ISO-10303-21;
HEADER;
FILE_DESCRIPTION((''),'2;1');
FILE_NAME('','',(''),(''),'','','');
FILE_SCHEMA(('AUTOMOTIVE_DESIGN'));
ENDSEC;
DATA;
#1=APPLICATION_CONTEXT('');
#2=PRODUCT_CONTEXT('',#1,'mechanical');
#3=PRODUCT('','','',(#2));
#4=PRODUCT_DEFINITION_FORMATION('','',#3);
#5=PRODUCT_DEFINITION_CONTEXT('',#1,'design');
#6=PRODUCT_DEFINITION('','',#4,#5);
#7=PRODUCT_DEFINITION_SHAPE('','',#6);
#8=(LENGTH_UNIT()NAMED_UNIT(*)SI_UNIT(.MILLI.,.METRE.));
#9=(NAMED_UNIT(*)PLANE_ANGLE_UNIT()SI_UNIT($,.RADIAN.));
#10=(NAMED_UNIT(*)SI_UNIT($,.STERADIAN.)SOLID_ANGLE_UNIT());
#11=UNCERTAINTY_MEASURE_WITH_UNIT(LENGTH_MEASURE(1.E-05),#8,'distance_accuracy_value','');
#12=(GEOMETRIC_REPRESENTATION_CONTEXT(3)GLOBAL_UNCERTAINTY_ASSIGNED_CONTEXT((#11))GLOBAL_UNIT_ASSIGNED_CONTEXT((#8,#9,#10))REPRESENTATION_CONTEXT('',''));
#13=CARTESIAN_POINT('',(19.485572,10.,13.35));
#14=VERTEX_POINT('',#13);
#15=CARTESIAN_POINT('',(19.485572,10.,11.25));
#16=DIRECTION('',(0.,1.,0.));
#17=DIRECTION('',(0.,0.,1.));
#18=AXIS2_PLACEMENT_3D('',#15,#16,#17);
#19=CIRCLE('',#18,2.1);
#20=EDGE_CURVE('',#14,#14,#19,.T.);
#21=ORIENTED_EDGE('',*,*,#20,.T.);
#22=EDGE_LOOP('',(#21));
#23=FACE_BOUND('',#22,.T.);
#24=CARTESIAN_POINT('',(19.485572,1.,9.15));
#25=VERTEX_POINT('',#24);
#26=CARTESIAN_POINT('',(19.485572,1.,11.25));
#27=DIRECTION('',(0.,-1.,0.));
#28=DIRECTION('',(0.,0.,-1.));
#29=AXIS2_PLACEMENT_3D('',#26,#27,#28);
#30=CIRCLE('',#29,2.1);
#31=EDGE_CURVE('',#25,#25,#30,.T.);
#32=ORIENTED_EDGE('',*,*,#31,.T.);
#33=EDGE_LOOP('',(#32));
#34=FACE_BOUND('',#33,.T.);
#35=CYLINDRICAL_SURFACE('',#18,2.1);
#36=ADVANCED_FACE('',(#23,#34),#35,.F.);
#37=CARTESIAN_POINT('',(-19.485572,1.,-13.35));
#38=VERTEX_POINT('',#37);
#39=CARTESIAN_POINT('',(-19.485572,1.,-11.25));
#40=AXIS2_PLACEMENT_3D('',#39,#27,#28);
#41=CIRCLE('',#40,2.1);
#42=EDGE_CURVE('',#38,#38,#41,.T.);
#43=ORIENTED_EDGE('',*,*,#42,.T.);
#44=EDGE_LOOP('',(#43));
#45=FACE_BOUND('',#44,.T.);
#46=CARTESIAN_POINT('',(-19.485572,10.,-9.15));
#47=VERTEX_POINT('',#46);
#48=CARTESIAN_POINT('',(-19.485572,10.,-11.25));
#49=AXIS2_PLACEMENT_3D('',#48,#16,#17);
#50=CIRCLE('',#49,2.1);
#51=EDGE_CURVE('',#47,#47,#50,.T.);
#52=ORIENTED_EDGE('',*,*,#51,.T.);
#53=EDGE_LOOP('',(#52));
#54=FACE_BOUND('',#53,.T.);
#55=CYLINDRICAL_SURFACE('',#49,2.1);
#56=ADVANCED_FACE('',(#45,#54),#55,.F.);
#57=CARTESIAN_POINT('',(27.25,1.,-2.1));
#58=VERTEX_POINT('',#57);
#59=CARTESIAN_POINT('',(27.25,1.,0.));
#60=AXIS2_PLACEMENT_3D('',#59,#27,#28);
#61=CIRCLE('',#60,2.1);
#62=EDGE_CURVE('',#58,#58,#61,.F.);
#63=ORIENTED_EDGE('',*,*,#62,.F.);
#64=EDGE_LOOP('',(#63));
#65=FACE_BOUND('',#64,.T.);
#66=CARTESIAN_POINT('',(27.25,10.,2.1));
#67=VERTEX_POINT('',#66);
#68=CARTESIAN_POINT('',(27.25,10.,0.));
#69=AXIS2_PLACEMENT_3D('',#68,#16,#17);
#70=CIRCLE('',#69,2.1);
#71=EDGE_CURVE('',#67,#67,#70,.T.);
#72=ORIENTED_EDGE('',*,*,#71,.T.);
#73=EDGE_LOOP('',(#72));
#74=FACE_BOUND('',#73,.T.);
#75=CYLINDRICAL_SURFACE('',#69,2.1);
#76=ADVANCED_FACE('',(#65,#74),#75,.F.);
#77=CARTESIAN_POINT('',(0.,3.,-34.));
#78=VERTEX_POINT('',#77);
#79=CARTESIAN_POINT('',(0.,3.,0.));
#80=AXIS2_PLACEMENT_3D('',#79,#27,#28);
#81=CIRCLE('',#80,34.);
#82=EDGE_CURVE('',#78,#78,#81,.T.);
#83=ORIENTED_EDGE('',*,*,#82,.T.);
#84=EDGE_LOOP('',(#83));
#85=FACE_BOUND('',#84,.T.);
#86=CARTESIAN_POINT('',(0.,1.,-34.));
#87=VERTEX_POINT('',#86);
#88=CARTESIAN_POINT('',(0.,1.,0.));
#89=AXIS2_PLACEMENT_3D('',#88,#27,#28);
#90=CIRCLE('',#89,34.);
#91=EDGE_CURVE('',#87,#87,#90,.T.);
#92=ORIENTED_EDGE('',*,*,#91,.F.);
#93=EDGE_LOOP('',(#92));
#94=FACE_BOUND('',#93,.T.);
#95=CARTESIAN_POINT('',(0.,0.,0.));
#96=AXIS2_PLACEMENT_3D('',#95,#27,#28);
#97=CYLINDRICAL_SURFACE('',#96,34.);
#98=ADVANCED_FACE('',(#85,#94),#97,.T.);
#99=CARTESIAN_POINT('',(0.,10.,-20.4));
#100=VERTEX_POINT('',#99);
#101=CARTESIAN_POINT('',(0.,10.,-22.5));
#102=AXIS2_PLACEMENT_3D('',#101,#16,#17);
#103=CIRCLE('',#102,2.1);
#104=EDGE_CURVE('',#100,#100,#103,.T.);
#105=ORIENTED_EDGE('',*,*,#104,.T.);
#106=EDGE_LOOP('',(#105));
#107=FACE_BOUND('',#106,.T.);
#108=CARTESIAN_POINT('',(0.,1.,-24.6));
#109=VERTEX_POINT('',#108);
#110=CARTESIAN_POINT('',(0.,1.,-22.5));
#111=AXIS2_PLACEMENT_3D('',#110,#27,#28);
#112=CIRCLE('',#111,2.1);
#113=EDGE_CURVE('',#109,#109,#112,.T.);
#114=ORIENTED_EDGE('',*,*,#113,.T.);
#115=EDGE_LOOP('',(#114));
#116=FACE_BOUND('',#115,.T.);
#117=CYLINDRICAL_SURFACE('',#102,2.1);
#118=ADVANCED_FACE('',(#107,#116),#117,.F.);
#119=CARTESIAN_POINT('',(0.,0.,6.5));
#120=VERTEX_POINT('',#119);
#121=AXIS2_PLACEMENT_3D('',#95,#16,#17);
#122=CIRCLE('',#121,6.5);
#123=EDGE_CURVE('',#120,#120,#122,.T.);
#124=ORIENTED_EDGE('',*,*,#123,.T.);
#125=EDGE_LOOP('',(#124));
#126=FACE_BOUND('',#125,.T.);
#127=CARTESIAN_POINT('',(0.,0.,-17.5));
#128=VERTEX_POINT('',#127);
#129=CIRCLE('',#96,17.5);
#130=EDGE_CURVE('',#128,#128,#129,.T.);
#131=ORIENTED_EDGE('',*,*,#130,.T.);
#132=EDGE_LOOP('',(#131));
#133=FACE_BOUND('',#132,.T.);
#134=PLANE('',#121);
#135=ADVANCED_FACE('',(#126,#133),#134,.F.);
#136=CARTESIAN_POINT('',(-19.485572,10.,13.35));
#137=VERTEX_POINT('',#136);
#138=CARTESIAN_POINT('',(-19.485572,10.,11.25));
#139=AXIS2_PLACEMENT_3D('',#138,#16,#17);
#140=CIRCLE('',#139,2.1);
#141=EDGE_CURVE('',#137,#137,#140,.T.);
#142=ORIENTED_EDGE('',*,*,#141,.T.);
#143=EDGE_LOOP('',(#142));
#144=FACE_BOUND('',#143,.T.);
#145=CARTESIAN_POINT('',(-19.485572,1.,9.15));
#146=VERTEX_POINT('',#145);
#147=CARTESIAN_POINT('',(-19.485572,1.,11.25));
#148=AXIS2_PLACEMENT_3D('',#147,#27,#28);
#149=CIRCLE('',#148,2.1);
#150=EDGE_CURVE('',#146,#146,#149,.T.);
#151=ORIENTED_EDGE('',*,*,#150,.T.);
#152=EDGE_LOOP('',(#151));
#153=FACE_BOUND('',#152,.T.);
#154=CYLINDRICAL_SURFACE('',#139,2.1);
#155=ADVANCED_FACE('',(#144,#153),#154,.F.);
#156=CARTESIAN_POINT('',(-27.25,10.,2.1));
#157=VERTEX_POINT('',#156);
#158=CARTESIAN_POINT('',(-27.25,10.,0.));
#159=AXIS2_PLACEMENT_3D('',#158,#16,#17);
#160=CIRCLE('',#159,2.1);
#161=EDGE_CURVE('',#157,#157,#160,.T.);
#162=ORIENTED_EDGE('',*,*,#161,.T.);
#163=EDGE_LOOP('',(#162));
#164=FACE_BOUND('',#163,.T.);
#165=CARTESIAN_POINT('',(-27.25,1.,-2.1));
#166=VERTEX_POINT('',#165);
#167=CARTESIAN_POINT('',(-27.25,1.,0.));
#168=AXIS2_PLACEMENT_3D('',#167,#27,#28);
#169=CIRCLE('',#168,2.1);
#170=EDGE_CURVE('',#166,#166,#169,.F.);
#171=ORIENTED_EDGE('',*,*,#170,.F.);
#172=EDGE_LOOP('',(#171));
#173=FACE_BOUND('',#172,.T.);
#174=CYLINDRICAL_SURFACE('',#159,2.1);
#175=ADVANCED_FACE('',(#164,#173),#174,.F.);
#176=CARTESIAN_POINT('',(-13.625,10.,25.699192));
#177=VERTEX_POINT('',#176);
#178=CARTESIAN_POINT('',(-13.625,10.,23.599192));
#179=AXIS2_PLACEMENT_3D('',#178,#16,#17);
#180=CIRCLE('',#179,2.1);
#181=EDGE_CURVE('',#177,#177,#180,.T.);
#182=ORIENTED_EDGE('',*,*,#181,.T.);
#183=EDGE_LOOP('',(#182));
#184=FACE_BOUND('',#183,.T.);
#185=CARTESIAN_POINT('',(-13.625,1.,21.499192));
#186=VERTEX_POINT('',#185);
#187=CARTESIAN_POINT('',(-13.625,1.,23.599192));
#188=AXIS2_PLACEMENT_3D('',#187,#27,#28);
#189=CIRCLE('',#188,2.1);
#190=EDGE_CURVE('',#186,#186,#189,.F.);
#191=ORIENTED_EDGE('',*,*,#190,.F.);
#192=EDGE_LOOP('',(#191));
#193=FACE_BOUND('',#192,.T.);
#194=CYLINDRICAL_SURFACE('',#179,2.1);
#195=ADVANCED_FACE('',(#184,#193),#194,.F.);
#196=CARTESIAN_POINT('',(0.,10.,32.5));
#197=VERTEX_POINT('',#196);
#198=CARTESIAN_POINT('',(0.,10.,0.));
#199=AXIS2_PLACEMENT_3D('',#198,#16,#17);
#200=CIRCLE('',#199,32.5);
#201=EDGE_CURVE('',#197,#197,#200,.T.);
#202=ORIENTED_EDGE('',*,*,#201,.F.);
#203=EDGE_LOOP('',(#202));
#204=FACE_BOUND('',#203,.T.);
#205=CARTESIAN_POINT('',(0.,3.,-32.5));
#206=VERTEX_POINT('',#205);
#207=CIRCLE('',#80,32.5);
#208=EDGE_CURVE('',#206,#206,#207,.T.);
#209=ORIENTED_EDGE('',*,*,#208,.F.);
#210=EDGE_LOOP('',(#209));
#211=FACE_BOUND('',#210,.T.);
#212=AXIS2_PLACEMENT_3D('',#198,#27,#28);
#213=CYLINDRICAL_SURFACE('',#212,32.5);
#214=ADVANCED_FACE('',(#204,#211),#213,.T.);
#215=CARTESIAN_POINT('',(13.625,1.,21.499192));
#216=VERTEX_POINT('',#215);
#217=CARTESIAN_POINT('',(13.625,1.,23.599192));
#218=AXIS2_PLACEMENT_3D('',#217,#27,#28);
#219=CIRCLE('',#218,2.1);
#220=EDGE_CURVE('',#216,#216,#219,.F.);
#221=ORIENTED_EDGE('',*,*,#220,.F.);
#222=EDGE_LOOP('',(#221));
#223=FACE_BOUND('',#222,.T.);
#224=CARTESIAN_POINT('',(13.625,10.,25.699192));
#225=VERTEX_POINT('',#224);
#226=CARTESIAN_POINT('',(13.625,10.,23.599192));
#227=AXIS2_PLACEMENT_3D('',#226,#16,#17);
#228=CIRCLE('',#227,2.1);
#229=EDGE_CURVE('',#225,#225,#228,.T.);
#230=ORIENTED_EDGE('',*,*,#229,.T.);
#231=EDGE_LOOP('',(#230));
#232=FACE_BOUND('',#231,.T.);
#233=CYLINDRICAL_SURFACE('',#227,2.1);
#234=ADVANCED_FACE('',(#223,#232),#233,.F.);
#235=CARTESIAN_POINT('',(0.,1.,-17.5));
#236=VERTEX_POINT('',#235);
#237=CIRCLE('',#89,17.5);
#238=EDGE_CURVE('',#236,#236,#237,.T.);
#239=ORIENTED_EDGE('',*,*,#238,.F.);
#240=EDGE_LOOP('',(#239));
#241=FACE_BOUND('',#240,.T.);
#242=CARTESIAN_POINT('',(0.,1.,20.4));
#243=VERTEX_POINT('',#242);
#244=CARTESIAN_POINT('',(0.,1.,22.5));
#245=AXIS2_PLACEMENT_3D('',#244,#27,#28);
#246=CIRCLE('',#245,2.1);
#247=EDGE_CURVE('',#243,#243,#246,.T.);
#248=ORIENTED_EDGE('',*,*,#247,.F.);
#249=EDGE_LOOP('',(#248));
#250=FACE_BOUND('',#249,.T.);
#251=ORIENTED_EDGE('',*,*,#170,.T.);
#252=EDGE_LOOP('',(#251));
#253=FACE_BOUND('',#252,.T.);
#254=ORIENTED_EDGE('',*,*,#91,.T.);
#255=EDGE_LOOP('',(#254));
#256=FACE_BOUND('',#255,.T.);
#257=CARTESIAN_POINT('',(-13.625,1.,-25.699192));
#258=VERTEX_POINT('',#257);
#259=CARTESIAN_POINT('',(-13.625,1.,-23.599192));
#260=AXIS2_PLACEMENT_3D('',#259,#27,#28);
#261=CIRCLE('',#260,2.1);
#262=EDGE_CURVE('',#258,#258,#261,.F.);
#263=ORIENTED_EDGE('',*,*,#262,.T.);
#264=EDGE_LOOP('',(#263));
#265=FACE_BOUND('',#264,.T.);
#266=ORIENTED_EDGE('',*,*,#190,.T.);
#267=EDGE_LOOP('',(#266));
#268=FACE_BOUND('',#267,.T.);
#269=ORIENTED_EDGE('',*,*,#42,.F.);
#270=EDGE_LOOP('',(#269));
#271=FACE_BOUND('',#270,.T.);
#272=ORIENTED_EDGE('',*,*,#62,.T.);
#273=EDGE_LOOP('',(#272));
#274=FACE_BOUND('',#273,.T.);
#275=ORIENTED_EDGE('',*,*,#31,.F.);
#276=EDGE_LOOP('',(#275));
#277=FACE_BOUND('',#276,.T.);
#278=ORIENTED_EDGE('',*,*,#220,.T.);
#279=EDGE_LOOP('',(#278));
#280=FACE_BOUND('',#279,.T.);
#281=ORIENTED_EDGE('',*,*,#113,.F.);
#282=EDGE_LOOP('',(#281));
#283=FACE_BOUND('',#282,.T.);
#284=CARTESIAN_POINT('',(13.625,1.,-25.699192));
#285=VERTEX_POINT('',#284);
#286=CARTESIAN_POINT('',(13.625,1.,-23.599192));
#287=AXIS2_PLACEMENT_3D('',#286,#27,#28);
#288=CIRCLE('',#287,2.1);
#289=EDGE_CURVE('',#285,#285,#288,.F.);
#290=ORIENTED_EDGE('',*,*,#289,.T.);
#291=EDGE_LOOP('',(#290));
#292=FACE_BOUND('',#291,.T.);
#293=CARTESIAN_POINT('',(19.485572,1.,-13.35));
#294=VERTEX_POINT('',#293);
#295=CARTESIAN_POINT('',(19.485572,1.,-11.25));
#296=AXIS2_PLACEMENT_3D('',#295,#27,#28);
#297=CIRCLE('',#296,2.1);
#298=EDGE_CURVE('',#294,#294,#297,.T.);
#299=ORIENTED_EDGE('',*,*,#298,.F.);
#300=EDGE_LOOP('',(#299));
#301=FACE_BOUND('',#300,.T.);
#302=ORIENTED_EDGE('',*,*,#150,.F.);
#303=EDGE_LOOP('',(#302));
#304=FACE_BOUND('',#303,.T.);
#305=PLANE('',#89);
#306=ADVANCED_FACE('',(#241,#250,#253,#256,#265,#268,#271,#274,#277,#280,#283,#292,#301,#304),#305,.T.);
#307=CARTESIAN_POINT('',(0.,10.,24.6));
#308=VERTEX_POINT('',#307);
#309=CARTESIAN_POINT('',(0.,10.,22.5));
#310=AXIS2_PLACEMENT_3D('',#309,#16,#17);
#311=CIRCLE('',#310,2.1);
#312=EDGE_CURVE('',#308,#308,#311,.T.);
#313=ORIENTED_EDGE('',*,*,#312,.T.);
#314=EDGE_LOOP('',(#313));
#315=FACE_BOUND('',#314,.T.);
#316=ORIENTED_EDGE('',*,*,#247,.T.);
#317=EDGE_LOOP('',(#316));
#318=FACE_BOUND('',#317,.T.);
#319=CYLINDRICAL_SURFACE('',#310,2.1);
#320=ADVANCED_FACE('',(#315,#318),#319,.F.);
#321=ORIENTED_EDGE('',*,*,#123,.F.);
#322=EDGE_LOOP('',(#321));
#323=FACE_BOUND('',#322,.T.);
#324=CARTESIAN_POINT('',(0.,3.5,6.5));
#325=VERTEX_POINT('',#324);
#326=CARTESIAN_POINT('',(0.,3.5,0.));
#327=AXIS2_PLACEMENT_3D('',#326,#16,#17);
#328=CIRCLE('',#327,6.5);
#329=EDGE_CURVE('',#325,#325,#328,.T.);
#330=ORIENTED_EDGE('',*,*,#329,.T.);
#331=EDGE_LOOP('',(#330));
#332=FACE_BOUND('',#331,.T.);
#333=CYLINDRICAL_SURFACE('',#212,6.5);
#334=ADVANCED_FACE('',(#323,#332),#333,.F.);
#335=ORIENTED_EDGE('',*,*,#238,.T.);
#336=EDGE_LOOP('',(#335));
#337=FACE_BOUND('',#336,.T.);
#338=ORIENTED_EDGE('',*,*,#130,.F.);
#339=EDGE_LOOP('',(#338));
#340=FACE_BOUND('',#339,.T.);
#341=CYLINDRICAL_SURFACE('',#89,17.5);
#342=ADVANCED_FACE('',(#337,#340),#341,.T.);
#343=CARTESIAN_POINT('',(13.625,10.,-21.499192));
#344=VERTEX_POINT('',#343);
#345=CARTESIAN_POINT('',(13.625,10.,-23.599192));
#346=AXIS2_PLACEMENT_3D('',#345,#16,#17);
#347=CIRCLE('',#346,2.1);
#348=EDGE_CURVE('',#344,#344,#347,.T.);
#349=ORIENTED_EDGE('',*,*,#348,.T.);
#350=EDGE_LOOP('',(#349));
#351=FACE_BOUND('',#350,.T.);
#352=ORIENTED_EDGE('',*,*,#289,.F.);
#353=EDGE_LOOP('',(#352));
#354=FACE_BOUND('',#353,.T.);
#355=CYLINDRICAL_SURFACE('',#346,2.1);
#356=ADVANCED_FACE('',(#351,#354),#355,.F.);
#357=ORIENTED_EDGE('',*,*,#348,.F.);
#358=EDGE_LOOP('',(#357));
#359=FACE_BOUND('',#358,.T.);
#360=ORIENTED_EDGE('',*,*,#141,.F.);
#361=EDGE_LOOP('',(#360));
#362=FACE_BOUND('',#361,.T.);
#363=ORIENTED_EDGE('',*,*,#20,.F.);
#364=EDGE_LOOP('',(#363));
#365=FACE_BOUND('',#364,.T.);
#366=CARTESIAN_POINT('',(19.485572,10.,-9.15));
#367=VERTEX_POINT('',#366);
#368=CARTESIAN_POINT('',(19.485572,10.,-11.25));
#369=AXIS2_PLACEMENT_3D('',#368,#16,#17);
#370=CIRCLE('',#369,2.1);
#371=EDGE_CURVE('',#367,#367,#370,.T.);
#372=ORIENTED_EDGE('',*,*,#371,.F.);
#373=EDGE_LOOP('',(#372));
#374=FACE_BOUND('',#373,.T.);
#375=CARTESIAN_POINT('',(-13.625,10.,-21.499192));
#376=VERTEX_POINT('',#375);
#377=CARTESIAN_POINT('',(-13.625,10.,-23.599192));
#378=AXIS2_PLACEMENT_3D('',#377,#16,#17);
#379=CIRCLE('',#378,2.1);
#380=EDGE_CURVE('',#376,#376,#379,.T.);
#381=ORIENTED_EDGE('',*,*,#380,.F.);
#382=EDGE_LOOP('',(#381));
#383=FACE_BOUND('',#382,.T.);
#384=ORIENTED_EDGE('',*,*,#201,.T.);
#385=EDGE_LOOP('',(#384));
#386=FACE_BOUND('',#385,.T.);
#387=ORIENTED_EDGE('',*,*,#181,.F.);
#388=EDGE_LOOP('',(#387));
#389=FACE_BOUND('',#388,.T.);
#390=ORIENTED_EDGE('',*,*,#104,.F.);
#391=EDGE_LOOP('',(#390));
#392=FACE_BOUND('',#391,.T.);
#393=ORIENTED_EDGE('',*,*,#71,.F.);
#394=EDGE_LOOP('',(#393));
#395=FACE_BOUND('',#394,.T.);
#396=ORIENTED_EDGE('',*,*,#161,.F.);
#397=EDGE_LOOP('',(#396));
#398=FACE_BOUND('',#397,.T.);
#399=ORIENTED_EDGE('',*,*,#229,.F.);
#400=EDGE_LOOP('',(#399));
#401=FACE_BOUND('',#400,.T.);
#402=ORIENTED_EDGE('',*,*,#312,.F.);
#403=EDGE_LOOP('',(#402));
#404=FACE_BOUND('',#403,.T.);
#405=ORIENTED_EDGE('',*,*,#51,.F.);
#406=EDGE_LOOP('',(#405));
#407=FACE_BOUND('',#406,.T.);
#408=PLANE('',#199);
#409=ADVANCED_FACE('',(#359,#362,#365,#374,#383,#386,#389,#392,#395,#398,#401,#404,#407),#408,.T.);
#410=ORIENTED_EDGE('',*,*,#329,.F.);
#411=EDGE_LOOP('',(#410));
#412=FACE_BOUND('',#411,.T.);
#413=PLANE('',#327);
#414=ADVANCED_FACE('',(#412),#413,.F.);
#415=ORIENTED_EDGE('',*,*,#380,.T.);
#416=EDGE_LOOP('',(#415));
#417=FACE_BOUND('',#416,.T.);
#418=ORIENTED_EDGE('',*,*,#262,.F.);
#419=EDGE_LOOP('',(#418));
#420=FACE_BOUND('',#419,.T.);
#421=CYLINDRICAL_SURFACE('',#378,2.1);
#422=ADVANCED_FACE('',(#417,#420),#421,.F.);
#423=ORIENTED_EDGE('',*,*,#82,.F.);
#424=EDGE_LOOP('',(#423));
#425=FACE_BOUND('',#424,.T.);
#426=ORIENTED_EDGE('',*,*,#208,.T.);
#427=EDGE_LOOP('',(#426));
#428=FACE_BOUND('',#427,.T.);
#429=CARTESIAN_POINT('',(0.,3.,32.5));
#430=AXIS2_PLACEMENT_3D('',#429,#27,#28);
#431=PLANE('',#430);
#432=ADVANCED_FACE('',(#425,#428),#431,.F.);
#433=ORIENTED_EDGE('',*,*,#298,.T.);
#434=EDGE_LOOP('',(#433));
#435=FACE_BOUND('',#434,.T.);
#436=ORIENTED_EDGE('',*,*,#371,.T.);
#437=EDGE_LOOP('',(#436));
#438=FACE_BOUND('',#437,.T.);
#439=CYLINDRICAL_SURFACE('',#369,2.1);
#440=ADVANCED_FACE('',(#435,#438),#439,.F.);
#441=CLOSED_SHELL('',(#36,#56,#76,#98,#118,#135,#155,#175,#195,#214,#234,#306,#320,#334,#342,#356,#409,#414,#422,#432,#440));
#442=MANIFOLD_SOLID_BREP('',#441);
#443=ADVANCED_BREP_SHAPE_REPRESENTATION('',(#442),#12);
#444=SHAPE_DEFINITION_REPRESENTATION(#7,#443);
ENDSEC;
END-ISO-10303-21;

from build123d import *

# Parameters (mm, degrees)
SKETCH2_R             = 32.5
SKETCH2_R_2           = 6.5
SKETCH2_R_3           = 1.5
BOSS_EXTRUDE1_DEPTH   = 10
M5X0_8_TAPPED_HOLE1_D = 4.2
BOSS_EXTRUDE2_START   = -6.5
SKETCH8_R             = 6.5
BOSS_EXTRUDE2_DEPTH   = 6.5
SKETCH9_R             = 32.5
SKETCH9_R_2           = 17.5
CUT_EXTRUDE1_DEPTH    = 1
SKETCH10_W            = 1.5
SKETCH10_H            = 2
M5X0_8_TAPPED_HOLE2_D = 4.2


with BuildPart() as part:
    # Sketch2 → Boss-Extrude1 (new body)
    with BuildSketch(Plane(origin=(0, 0, 0), x_dir=(1, 0, 0), z_dir=(0, 1, 0))):
        with Locations(Location((0, 0, 0), (0, 0, 270))):
            Circle(SKETCH2_R)
        with Locations(Location((0, 0, 0), (0, 0, 270))):
            Circle(SKETCH2_R_2, mode=Mode.SUBTRACT)
        with Locations(Location((27.25, 0, 0), (0, 0, 270))):
            Circle(SKETCH2_R_3, mode=Mode.SUBTRACT)
        with Locations(Location((13.625, -23.599192253, 0), (0, 0, 270))):
            Circle(SKETCH2_R_3, mode=Mode.SUBTRACT)
        with Locations(Location((-13.625, -23.599192253, 0), (0, 0, 270))):
            Circle(SKETCH2_R_3, mode=Mode.SUBTRACT)
        with Locations(Location((-27.25, 0, 0), (0, 0, 270))):
            Circle(SKETCH2_R_3, mode=Mode.SUBTRACT)
        with Locations(Location((-13.625, 23.599192253, 0), (0, 0, 270))):
            Circle(SKETCH2_R_3, mode=Mode.SUBTRACT)
        with Locations(Location((13.625, 23.599192253, 0), (0, 0, 270))):
            Circle(SKETCH2_R_3, mode=Mode.SUBTRACT)
    extrude(amount=BOSS_EXTRUDE1_DEPTH)

    # M5x0.8 Tapped Hole1 (through all)
    with Locations(Plane(origin=(0, 10, 0), x_dir=(1, 0, 0), z_dir=(0, 1, 0))):
        with Locations((-13.625, 23.599192253), (13.625, 23.599192253), (27.25, 0), (13.625, -23.599192253), (-13.625, -23.599192253), (-27.25, 0)):
            Hole(M5X0_8_TAPPED_HOLE1_D / 2)

    # Sketch8 → Boss-Extrude2 (add)
    with BuildSketch(Plane(origin=(0, 10, 0), x_dir=(1, 0, 0), z_dir=(0, 1, 0)).offset(BOSS_EXTRUDE2_START)):
        with Locations(Location((0, 0, 0), (0, 0, 270))):
            Circle(SKETCH8_R)
    extrude(amount=BOSS_EXTRUDE2_DEPTH)

    # Sketch9 → Cut-Extrude1 (cut)
    with BuildSketch(Plane.XZ):
        with Locations(Location((0, 0, 0), (0, 0, 270))):
            Circle(SKETCH9_R)
        with Locations(Location((0, 0, 0), (0, 0, 270))):
            Circle(SKETCH9_R_2, mode=Mode.SUBTRACT)
    extrude(amount=-CUT_EXTRUDE1_DEPTH, mode=Mode.SUBTRACT)

    # Sketch10 → Revolve1 (revolve)
    with BuildSketch(Plane(origin=(0, 0, 0), x_dir=(0, 0, -1), z_dir=(1, 0, 0)), mode=Mode.PRIVATE) as revolve1_sk:
        with Locations((-33.25, 2)):
            Rectangle(SKETCH10_W, SKETCH10_H)
    revolve(revolve1_sk.sketch.rotate(Axis((0, 0, 0), (0, 1, 0)), 180), axis=Axis((0, 0, 0), (0, 1, 0)))

    # M5x0.8 Tapped Hole2 (through all)
    with Locations(Plane(origin=(0, 10, 0), x_dir=(1, 0, 0), z_dir=(0, 1, 0))):
        with Locations((0, 22.5), (19.485571585, 11.25), (19.485571585, -11.25), (0, -22.5), (-19.485571585, -11.25), (-19.485571585, 11.25)):
            Hole(M5X0_8_TAPPED_HOLE2_D / 2)


solid = part.part
